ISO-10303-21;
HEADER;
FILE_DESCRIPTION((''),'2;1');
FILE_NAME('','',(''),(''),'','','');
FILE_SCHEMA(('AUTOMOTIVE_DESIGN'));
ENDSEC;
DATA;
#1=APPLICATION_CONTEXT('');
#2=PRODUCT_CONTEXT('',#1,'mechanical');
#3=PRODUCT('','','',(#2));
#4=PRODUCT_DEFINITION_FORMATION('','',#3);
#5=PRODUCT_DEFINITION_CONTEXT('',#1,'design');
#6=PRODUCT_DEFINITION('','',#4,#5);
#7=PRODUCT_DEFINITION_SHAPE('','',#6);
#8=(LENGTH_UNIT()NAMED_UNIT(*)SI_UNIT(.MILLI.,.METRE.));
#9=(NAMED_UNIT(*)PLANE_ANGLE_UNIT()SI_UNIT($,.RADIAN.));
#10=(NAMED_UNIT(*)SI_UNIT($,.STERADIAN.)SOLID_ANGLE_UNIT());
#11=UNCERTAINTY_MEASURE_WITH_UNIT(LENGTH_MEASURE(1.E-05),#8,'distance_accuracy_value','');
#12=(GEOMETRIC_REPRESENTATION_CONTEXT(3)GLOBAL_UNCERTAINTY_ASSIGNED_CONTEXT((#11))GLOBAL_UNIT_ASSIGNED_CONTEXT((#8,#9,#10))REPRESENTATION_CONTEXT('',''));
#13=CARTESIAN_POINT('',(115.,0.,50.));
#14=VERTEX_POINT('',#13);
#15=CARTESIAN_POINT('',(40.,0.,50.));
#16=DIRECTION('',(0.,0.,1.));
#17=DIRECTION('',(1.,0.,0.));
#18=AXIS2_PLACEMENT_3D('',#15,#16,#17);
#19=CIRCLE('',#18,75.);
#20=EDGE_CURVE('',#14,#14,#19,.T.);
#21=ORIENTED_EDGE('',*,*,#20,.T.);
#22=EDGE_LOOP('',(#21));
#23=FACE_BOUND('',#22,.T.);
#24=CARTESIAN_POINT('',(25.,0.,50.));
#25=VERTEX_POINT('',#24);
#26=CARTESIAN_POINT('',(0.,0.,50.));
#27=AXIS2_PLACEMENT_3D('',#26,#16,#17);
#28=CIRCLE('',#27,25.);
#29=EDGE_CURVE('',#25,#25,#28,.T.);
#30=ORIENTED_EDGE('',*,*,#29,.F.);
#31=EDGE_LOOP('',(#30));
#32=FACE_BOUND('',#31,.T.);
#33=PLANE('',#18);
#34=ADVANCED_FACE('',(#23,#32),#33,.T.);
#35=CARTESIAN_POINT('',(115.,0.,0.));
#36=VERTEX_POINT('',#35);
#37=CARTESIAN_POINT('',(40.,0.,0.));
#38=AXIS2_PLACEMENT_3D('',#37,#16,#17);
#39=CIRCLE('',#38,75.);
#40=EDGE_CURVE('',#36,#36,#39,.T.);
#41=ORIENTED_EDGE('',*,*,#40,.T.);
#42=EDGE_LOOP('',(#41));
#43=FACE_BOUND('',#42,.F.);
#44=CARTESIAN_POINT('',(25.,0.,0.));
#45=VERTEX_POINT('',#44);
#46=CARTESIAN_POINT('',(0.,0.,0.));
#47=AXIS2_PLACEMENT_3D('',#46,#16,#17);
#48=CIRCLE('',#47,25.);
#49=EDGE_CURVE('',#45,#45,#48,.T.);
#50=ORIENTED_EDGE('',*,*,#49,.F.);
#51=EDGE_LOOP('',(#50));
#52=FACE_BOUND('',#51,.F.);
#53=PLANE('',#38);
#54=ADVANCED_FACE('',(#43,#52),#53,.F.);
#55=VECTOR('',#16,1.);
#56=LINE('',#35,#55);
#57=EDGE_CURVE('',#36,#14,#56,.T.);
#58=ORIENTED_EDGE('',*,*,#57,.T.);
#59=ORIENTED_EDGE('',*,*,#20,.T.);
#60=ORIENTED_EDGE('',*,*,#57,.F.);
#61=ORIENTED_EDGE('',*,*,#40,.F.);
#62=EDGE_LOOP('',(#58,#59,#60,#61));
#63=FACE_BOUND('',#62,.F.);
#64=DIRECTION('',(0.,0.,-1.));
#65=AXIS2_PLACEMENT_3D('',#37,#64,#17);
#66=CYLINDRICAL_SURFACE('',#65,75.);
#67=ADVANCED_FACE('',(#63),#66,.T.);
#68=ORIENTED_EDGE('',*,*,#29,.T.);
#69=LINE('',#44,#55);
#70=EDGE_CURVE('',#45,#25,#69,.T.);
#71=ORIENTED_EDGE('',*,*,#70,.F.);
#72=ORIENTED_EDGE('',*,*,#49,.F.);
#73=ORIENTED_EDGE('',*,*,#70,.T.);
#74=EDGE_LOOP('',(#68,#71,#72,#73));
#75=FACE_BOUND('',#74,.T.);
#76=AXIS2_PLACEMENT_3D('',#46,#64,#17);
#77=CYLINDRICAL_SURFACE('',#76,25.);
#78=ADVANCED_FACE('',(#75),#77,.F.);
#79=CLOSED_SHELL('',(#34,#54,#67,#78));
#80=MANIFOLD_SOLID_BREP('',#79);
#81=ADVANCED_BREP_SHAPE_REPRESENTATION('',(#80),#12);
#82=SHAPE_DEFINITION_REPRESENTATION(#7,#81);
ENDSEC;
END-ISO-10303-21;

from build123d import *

# Parameters (mm, degrees)
F1_R     = 75
F1_R_2   = 25
F0_DEPTH = 50


with BuildPart() as f0:
    # F1 (on Top) → F0 (new body)
    with BuildSketch(Plane.XY):
        with Locations((40, 0)):
            Circle(F1_R)
        Circle(F1_R_2, mode=Mode.SUBTRACT)
    extrude(amount=F0_DEPTH)


solid = f0.part
